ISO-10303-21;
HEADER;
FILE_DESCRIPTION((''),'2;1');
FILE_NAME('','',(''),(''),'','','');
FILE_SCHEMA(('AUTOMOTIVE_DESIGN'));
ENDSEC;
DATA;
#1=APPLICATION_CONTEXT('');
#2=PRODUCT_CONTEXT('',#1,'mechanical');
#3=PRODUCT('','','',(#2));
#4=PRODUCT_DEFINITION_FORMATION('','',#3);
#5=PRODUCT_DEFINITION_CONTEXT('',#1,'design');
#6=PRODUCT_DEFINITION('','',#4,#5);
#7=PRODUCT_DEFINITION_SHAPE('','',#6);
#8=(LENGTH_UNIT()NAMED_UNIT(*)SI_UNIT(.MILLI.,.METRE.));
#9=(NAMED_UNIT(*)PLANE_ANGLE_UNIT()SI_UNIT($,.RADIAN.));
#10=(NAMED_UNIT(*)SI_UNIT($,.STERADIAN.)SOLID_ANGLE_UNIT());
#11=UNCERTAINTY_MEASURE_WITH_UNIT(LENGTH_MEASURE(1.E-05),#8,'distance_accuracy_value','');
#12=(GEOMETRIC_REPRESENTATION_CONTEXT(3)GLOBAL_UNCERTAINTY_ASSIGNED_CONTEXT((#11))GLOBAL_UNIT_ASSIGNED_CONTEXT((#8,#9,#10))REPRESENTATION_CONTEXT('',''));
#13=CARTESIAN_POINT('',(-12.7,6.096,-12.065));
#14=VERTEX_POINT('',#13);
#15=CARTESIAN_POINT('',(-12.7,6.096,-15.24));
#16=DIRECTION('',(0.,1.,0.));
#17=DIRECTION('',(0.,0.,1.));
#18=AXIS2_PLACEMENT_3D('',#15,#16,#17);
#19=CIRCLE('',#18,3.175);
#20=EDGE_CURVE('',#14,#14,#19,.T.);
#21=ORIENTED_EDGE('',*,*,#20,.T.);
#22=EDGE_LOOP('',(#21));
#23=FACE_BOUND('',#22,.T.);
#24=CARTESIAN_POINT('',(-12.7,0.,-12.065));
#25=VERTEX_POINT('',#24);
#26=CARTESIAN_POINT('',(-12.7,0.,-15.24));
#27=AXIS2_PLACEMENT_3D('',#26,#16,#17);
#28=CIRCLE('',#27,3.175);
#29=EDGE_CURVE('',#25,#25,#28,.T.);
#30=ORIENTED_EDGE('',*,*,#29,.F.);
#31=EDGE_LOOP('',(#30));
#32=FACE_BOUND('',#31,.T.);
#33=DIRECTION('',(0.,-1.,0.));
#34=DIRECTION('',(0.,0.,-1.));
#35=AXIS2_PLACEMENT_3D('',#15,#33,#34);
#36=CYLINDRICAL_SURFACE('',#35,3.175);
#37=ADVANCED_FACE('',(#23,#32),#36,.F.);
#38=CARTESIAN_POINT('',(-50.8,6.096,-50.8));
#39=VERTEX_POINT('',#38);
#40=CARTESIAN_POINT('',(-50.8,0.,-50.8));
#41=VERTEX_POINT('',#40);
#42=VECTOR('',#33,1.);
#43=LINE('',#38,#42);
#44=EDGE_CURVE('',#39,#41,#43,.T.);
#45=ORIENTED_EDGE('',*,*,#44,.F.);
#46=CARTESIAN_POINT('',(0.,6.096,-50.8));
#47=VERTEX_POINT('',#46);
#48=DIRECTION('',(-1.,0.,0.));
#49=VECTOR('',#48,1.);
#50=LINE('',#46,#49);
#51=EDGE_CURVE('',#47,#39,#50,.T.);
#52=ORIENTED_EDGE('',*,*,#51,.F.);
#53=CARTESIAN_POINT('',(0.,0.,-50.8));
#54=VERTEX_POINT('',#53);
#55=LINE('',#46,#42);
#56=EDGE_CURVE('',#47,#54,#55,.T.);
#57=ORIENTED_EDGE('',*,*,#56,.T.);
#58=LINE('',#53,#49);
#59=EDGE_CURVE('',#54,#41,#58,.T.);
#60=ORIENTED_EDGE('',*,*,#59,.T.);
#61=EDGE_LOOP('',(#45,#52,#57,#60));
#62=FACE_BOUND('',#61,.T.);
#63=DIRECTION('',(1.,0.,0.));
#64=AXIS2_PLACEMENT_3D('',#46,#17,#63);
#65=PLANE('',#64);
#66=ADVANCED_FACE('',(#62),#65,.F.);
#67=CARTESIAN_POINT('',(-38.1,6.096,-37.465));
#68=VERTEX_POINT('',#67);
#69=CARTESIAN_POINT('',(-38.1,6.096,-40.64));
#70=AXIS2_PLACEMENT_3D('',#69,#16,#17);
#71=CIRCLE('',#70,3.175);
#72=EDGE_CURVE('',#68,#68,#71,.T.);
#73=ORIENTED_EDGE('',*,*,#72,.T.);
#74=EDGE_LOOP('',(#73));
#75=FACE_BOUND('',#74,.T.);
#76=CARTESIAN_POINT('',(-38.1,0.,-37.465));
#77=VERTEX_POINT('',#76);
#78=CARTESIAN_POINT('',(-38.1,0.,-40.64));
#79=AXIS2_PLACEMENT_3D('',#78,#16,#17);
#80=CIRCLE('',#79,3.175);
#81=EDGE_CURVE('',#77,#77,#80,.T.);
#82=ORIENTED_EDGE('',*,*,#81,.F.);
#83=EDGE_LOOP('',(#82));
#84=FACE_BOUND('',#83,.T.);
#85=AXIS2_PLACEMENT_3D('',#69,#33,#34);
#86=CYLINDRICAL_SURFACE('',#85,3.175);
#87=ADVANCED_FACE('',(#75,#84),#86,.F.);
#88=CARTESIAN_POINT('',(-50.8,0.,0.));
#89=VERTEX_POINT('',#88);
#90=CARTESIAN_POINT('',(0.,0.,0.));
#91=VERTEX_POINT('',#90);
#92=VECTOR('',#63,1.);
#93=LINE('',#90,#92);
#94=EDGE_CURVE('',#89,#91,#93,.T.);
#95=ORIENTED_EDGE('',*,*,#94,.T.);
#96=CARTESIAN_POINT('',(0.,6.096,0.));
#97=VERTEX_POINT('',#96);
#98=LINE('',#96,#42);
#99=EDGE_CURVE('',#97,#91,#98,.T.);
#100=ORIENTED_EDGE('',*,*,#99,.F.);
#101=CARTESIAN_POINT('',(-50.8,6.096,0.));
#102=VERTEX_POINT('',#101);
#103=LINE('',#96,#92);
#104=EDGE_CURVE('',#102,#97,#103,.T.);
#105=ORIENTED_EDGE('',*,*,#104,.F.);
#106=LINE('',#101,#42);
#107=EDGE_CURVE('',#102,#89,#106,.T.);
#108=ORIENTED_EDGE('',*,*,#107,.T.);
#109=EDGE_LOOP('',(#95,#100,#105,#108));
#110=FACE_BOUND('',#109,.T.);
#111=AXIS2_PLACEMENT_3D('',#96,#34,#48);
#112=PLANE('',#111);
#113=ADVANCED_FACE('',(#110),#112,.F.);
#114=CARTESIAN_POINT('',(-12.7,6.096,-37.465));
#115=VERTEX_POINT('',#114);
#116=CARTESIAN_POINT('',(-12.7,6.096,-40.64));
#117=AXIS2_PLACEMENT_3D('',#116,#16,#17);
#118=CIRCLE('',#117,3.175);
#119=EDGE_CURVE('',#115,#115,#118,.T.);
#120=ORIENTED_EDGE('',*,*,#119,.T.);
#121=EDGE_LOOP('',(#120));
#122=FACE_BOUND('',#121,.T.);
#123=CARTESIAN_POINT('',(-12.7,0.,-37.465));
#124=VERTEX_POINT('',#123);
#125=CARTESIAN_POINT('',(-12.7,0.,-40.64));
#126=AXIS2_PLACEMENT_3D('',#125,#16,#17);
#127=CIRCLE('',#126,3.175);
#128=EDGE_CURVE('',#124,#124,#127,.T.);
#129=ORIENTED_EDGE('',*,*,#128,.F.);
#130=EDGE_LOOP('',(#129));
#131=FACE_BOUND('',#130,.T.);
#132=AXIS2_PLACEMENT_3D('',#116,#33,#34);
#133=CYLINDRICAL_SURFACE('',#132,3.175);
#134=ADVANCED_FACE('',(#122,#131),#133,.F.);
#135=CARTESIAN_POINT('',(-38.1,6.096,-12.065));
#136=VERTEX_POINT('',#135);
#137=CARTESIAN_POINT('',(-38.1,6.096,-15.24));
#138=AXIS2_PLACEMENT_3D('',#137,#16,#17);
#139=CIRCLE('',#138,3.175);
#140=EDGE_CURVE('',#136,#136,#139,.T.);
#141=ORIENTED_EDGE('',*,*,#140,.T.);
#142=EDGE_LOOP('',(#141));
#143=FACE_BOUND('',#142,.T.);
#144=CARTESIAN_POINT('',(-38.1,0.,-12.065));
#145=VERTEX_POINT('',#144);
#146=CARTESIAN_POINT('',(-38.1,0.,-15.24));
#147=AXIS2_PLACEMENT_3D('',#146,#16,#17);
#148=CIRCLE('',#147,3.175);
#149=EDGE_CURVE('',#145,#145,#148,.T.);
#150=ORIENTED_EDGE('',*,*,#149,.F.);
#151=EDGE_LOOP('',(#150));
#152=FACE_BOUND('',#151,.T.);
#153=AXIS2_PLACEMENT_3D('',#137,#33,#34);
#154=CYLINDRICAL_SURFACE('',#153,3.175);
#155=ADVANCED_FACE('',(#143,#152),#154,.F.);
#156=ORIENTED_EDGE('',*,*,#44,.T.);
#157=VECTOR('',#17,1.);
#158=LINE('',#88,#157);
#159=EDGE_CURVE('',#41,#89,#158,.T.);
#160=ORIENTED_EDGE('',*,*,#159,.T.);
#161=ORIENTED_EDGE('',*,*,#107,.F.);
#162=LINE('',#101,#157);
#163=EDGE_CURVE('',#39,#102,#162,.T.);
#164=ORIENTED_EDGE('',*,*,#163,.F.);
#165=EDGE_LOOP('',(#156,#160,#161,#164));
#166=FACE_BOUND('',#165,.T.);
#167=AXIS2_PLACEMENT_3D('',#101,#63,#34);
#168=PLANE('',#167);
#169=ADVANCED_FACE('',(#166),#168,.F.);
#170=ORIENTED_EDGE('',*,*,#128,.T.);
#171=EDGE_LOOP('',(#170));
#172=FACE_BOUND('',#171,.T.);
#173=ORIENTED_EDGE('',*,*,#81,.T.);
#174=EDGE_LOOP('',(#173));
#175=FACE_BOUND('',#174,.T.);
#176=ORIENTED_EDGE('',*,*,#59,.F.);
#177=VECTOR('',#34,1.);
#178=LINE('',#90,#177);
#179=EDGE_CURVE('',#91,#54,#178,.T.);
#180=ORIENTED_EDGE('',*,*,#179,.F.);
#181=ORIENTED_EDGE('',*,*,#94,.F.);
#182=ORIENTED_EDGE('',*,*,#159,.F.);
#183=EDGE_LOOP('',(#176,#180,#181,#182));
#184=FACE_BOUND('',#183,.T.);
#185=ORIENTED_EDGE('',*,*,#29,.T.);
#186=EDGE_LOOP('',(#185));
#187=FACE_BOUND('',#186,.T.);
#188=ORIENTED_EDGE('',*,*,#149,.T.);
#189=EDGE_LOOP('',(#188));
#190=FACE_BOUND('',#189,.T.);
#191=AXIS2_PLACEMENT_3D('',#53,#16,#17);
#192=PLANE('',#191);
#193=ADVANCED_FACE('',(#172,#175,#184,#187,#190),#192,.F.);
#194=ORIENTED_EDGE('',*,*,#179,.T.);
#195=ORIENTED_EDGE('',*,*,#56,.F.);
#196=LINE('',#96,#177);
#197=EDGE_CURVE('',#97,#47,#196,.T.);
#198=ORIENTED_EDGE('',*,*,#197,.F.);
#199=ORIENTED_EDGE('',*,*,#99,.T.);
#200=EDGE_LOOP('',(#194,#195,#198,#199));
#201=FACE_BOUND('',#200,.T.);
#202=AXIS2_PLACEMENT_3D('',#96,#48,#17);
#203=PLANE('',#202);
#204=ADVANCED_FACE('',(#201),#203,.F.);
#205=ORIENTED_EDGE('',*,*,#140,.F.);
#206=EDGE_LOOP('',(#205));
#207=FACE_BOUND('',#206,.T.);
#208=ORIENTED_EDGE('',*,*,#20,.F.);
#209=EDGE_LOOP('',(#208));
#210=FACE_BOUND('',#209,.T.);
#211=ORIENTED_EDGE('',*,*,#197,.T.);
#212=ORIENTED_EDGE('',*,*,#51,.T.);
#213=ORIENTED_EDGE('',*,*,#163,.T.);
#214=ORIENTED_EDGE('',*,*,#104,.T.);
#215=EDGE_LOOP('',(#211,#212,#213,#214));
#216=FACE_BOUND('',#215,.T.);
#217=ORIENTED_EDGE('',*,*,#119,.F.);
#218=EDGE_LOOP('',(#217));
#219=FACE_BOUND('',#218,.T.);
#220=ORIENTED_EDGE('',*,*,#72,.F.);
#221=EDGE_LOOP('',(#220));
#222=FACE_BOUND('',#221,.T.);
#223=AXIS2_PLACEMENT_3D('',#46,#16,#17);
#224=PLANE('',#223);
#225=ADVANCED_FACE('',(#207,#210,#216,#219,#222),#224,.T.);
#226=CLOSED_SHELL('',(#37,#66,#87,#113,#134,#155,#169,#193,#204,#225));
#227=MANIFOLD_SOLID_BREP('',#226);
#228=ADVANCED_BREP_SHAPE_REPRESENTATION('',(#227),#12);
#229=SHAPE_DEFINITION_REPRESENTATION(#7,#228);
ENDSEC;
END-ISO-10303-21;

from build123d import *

# Parameters (mm, degrees)
SKETCH1_W           = 50.8
SKETCH1_H           = 50.8
SKETCH1_R           = 3.175
BOSS_EXTRUDE1_DEPTH = 6.096


with BuildPart() as part:
    # Sketch1 → Boss-Extrude1 (new body)
    with BuildSketch(Plane(origin=(0, 0, 0), x_dir=(1, 0, 0), z_dir=(0, 1, 0))):
        with Locations((-25.4, 25.4)):
            Rectangle(SKETCH1_W, SKETCH1_H)
        with Locations(Location((-38.1, 40.64, 0), (0, 0, 270))):  # turned: the seam where the file's is
            Circle(SKETCH1_R, mode=Mode.SUBTRACT)
        with Locations(Location((-12.7, 40.64, 0), (0, 0, 270))):  # turned: the seam where the file's is
            Circle(SKETCH1_R, mode=Mode.SUBTRACT)
        with Locations(Location((-12.7, 15.24, 0), (0, 0, 270))):  # turned: the seam where the file's is
            Circle(SKETCH1_R, mode=Mode.SUBTRACT)
        with Locations(Location((-38.1, 15.24, 0), (0, 0, 270))):  # turned: the seam where the file's is
            Circle(SKETCH1_R, mode=Mode.SUBTRACT)
    extrude(amount=BOSS_EXTRUDE1_DEPTH)


solid = part.part
